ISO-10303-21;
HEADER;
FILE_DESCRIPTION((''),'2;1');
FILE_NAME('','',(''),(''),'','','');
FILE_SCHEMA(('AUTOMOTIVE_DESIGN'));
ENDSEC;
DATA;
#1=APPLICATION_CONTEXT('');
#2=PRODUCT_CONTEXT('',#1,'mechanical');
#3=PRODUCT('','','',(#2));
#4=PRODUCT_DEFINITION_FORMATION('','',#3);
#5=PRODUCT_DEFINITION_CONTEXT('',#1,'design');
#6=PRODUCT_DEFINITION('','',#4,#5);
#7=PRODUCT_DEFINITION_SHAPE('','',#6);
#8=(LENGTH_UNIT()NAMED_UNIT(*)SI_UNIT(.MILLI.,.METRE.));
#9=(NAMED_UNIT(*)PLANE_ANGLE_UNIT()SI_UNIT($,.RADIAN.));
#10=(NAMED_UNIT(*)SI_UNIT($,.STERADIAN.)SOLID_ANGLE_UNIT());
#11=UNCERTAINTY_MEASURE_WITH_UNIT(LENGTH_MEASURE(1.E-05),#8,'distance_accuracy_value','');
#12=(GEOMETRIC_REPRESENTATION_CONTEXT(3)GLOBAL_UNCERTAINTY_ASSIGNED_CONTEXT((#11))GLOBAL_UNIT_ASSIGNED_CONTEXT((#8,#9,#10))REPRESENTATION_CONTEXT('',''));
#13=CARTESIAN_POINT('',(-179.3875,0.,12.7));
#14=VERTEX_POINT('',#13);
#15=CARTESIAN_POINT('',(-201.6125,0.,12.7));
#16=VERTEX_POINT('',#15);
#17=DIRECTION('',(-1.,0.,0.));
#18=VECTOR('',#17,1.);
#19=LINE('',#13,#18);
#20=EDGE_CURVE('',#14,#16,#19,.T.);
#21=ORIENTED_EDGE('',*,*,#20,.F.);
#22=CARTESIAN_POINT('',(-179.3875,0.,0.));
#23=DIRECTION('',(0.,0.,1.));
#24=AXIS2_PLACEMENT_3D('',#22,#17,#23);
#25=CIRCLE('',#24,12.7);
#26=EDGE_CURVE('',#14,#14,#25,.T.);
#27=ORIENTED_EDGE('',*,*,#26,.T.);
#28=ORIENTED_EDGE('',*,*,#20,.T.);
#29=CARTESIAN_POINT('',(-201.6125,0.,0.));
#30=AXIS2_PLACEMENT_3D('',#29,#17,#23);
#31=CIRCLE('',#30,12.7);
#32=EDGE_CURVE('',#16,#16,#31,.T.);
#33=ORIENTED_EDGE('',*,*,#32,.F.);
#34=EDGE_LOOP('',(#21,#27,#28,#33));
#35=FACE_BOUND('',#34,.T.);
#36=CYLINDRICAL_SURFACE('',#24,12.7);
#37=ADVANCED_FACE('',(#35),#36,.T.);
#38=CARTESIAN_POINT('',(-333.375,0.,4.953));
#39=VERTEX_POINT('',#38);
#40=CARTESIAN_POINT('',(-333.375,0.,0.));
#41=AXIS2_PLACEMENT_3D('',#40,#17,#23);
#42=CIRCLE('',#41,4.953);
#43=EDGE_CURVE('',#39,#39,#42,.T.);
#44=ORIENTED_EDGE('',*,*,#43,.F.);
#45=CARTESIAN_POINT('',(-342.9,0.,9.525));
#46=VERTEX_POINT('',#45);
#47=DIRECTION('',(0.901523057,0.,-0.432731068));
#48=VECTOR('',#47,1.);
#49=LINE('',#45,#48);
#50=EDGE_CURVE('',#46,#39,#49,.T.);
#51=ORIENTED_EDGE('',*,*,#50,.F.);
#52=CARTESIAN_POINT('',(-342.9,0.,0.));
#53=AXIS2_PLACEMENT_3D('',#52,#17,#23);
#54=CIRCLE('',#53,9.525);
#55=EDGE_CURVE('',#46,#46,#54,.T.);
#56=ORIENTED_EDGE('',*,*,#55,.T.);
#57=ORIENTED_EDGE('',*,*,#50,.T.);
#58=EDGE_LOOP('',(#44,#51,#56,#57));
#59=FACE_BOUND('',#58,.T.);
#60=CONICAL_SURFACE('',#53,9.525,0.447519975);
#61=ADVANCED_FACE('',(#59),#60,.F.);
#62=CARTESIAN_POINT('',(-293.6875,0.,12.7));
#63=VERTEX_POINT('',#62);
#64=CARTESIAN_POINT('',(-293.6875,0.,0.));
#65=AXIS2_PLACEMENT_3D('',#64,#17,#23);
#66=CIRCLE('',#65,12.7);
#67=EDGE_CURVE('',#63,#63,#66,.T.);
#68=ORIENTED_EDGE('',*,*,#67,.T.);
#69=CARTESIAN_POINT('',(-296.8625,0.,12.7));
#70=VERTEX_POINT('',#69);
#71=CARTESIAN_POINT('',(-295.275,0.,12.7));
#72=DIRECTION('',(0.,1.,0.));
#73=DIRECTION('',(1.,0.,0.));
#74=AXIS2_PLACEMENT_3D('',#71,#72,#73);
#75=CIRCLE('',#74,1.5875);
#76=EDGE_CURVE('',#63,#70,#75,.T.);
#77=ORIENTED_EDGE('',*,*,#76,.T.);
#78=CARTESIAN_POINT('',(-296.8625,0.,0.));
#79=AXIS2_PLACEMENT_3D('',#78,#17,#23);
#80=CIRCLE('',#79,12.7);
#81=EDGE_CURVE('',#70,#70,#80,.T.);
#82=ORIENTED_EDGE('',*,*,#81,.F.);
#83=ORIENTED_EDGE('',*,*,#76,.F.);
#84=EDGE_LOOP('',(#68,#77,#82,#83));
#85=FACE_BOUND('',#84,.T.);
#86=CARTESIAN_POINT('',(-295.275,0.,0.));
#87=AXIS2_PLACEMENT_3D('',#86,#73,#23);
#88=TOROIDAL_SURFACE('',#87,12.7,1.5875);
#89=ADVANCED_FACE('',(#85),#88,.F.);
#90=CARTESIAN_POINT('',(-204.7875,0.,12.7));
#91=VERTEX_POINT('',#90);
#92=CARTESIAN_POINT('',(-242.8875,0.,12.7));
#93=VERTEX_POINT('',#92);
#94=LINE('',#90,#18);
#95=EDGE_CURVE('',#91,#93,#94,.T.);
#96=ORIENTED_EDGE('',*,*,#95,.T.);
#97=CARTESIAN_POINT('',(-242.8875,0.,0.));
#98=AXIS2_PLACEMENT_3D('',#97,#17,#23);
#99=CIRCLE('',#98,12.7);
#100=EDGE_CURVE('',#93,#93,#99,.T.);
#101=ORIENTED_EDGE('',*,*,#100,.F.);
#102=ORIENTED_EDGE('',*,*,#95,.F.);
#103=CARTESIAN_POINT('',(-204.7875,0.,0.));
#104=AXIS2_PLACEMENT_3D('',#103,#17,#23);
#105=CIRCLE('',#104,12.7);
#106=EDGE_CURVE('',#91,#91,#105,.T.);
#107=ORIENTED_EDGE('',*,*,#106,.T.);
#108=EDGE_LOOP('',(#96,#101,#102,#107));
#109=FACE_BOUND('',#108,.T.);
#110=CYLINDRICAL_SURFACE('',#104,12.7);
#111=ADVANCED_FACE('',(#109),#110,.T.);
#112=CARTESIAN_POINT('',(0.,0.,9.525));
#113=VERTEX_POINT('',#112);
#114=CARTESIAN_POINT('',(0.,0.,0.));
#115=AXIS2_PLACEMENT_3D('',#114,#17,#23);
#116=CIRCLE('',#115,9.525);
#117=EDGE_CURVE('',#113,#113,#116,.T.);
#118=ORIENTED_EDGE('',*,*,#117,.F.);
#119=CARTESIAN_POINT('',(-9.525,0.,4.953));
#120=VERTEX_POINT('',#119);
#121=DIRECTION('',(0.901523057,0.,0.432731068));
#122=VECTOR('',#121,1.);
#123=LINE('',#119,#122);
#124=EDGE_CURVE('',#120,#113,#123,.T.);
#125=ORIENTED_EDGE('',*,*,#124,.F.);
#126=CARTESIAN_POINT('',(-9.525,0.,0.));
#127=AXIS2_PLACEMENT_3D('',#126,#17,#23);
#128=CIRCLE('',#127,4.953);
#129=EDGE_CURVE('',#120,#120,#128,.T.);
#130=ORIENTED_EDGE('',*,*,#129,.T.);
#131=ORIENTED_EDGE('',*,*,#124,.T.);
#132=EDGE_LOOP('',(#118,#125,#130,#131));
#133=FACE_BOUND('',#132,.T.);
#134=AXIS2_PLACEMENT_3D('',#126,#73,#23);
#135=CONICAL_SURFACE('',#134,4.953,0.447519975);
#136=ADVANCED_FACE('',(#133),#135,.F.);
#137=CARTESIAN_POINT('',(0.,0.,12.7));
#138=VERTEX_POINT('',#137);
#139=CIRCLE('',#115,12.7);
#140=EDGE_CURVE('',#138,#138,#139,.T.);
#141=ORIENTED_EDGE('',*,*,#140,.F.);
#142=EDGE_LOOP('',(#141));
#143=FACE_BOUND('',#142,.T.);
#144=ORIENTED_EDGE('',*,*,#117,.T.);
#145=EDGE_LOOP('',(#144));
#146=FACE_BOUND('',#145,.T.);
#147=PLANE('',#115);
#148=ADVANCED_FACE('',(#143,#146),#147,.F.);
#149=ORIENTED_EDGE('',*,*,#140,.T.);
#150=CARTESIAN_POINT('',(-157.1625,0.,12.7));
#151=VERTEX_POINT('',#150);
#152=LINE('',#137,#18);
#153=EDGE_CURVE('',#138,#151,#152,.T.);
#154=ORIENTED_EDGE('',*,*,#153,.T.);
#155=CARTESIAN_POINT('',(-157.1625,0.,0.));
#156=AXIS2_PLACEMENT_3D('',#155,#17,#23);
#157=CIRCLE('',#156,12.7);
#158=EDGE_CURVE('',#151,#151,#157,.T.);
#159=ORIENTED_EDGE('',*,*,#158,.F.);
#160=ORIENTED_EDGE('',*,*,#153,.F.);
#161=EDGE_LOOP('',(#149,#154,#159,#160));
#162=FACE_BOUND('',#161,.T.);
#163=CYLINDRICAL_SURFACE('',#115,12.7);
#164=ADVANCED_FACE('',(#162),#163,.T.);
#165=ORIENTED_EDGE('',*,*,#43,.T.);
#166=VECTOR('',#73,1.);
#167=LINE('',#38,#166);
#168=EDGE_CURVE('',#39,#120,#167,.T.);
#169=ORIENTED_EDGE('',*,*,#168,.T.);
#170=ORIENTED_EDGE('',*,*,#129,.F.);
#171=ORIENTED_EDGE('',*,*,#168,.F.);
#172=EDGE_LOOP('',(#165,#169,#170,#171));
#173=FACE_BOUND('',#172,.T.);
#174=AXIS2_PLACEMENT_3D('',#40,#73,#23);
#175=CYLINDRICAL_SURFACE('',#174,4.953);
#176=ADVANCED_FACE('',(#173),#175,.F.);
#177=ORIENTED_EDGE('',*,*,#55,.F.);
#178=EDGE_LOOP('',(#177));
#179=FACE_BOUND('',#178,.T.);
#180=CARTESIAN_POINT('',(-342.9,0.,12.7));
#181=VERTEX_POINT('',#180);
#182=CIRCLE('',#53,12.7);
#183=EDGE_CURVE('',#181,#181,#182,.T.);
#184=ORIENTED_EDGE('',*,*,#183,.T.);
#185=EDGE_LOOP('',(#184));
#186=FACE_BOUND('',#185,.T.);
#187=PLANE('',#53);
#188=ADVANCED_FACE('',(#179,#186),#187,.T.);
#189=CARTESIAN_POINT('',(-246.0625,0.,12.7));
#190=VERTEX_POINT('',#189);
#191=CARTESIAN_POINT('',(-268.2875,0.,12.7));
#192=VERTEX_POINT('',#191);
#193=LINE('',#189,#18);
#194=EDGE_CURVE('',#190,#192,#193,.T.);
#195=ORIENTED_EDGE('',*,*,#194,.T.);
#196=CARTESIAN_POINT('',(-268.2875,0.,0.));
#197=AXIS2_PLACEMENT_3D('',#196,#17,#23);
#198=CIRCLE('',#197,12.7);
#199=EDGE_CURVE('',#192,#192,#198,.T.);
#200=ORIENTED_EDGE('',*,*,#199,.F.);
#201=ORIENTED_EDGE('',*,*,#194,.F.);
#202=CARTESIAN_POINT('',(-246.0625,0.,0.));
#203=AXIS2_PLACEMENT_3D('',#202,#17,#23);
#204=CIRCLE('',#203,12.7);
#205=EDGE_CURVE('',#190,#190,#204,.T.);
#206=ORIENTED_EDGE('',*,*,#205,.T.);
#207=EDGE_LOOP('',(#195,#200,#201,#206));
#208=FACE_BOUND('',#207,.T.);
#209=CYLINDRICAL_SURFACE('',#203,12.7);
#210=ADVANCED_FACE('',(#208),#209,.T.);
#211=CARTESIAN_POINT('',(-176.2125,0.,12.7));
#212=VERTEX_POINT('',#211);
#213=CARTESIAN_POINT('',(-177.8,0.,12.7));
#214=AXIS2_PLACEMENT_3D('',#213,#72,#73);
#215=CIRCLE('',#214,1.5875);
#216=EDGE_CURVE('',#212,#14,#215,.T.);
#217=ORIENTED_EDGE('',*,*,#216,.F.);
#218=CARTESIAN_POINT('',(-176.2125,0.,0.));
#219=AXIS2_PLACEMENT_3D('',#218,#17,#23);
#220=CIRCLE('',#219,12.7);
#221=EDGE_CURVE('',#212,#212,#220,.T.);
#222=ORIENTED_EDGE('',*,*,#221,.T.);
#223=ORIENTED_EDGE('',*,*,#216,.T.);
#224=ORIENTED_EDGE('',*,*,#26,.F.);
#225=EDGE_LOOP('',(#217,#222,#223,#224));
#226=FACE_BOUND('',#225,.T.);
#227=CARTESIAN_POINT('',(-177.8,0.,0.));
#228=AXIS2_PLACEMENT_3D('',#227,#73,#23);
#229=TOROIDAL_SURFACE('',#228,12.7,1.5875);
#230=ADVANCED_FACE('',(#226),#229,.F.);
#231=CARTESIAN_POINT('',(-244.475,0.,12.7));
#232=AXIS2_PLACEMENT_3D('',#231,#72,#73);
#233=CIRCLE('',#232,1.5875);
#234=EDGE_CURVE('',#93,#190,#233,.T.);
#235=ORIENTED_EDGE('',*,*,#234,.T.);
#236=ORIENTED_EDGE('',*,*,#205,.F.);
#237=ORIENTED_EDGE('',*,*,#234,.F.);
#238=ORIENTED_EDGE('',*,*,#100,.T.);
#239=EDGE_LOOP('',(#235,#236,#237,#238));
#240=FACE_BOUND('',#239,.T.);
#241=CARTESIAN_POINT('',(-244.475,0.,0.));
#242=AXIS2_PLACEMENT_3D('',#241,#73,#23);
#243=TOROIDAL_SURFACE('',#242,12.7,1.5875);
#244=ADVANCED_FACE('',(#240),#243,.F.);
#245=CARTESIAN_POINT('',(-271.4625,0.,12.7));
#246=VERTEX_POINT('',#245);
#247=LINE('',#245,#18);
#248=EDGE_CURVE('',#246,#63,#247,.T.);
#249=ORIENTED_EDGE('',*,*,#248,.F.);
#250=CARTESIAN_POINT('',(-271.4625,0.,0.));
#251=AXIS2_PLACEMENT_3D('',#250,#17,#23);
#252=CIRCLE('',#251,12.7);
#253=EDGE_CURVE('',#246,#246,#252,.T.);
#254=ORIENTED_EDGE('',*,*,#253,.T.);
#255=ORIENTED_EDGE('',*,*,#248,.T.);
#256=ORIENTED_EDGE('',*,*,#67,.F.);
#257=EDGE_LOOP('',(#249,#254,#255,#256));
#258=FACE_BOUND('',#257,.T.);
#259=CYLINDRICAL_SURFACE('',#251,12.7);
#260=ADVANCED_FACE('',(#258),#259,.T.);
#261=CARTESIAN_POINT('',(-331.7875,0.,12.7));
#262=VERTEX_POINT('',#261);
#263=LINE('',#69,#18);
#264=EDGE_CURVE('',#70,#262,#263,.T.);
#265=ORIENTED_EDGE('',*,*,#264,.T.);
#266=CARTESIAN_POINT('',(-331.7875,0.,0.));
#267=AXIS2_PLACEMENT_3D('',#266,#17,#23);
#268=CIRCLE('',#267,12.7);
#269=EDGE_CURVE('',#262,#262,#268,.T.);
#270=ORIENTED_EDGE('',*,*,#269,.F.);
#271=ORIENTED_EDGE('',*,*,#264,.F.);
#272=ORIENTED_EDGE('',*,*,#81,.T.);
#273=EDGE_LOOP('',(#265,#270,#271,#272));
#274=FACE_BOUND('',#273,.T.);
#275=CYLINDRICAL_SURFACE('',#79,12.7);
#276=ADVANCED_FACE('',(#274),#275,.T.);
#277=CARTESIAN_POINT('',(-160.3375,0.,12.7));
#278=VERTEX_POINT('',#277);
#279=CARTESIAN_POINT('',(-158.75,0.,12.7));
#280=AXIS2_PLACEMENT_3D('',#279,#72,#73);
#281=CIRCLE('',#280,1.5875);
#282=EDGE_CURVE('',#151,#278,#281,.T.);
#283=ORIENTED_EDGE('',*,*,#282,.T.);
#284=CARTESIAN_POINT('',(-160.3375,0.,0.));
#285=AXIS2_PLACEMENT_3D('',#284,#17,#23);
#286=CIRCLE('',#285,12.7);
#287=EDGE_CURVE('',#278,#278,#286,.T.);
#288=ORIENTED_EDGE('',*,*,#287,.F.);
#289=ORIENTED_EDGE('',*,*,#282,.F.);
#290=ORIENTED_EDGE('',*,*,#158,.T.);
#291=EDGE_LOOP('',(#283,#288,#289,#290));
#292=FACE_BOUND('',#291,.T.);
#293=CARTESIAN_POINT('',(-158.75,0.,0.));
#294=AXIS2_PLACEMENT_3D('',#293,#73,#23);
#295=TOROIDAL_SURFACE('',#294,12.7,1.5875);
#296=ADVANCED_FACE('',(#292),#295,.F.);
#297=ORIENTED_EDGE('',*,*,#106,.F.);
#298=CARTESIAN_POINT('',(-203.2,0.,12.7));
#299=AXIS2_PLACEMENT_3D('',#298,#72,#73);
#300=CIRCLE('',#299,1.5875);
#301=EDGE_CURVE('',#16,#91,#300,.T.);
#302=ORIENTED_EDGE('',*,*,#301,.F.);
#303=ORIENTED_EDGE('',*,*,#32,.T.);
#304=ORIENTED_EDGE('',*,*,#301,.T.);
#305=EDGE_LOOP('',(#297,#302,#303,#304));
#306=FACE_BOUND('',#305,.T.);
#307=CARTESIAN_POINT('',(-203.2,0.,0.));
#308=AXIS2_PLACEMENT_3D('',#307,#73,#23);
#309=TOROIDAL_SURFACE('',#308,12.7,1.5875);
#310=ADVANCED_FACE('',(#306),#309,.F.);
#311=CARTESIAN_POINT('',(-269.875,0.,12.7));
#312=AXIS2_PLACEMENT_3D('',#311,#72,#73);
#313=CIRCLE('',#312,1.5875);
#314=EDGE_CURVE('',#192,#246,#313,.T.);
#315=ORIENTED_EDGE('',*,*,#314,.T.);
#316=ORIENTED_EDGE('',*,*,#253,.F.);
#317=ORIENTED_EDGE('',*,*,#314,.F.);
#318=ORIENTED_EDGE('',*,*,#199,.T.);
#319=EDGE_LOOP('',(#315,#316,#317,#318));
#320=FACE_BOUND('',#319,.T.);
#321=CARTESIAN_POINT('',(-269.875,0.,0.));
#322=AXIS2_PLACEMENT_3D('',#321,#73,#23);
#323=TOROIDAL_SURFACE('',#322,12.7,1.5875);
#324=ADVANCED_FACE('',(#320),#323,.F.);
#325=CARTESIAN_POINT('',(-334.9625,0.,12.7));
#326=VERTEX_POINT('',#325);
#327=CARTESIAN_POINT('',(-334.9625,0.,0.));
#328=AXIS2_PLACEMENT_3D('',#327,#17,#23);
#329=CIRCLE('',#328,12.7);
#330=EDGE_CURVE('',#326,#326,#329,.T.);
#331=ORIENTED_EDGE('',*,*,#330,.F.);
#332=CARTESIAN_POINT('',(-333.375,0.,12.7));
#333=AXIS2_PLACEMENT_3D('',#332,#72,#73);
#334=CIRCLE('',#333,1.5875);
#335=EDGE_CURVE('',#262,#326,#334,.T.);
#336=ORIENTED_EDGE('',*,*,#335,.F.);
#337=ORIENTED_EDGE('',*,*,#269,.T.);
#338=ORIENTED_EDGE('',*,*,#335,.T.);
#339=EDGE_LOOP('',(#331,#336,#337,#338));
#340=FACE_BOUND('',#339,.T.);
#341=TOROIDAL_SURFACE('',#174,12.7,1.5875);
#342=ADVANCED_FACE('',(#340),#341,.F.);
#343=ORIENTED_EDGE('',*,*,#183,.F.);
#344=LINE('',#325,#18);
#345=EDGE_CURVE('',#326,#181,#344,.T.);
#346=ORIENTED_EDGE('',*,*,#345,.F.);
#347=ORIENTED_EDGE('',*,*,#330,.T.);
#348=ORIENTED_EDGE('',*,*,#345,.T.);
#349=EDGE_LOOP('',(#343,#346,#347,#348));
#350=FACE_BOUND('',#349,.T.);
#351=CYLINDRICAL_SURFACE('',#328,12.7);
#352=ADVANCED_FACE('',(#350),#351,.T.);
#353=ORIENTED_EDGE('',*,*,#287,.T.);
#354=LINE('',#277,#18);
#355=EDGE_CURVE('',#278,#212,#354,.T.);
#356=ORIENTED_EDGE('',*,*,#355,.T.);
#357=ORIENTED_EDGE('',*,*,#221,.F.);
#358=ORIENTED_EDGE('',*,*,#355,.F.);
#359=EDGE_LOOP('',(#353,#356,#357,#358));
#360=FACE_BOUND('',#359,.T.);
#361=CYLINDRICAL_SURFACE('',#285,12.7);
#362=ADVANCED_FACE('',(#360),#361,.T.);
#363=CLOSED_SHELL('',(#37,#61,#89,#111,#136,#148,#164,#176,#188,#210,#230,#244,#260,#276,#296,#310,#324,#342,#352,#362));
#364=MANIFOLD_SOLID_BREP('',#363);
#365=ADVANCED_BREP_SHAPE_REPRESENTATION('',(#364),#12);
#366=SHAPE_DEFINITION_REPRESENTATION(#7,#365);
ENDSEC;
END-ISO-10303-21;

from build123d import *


with BuildPart() as f1:
    # F0 (on Front) → F1 (revolve)
    with BuildSketch(Plane.XZ):
        with BuildLine():
            Line((0, 9.525), (0, 12.7))
            Line((0, 12.7), (-157.1625, 12.7))
            ThreePointArc((-157.1625, 12.7), (-158.75, 11.1125), (-160.3375, 12.7))
            Line((-160.3375, 12.7), (-176.2125, 12.7))
            ThreePointArc((-176.2125, 12.7), (-177.8, 11.1125), (-179.3875, 12.7))
            Line((-179.3875, 12.7), (-201.6125, 12.7))
            ThreePointArc((-201.6125, 12.7), (-203.2, 11.1125), (-204.7875, 12.7))
            Line((-204.7875, 12.7), (-242.8875, 12.7))
            ThreePointArc((-242.8875, 12.7), (-244.475, 11.1125), (-246.0625, 12.7))
            Line((-246.0625, 12.7), (-268.2875, 12.7))
            ThreePointArc((-268.2875, 12.7), (-269.875, 11.1125), (-271.4625, 12.7))
            Line((-271.4625, 12.7), (-293.6875, 12.7))
            ThreePointArc((-293.6875, 12.7), (-295.275, 11.1125), (-296.8625, 12.7))
            Line((-296.8625, 12.7), (-331.7875, 12.7))
            ThreePointArc((-331.7875, 12.7), (-333.375, 11.1125), (-334.9625, 12.7))
            Line((-334.9625, 12.7), (-342.9, 12.7))
            Line((-342.9, 12.7), (-342.9, 9.525))
            Line((-342.9, 9.525), (-333.375, 4.953))
            Line((-333.375, 4.953), (-9.525, 4.953))
            Line((-9.525, 4.953), (0, 9.525))
        make_face()
    revolve(axis=Axis((-171.45, 0, 0), (-1, 0, 0)))


solid = f1.part
